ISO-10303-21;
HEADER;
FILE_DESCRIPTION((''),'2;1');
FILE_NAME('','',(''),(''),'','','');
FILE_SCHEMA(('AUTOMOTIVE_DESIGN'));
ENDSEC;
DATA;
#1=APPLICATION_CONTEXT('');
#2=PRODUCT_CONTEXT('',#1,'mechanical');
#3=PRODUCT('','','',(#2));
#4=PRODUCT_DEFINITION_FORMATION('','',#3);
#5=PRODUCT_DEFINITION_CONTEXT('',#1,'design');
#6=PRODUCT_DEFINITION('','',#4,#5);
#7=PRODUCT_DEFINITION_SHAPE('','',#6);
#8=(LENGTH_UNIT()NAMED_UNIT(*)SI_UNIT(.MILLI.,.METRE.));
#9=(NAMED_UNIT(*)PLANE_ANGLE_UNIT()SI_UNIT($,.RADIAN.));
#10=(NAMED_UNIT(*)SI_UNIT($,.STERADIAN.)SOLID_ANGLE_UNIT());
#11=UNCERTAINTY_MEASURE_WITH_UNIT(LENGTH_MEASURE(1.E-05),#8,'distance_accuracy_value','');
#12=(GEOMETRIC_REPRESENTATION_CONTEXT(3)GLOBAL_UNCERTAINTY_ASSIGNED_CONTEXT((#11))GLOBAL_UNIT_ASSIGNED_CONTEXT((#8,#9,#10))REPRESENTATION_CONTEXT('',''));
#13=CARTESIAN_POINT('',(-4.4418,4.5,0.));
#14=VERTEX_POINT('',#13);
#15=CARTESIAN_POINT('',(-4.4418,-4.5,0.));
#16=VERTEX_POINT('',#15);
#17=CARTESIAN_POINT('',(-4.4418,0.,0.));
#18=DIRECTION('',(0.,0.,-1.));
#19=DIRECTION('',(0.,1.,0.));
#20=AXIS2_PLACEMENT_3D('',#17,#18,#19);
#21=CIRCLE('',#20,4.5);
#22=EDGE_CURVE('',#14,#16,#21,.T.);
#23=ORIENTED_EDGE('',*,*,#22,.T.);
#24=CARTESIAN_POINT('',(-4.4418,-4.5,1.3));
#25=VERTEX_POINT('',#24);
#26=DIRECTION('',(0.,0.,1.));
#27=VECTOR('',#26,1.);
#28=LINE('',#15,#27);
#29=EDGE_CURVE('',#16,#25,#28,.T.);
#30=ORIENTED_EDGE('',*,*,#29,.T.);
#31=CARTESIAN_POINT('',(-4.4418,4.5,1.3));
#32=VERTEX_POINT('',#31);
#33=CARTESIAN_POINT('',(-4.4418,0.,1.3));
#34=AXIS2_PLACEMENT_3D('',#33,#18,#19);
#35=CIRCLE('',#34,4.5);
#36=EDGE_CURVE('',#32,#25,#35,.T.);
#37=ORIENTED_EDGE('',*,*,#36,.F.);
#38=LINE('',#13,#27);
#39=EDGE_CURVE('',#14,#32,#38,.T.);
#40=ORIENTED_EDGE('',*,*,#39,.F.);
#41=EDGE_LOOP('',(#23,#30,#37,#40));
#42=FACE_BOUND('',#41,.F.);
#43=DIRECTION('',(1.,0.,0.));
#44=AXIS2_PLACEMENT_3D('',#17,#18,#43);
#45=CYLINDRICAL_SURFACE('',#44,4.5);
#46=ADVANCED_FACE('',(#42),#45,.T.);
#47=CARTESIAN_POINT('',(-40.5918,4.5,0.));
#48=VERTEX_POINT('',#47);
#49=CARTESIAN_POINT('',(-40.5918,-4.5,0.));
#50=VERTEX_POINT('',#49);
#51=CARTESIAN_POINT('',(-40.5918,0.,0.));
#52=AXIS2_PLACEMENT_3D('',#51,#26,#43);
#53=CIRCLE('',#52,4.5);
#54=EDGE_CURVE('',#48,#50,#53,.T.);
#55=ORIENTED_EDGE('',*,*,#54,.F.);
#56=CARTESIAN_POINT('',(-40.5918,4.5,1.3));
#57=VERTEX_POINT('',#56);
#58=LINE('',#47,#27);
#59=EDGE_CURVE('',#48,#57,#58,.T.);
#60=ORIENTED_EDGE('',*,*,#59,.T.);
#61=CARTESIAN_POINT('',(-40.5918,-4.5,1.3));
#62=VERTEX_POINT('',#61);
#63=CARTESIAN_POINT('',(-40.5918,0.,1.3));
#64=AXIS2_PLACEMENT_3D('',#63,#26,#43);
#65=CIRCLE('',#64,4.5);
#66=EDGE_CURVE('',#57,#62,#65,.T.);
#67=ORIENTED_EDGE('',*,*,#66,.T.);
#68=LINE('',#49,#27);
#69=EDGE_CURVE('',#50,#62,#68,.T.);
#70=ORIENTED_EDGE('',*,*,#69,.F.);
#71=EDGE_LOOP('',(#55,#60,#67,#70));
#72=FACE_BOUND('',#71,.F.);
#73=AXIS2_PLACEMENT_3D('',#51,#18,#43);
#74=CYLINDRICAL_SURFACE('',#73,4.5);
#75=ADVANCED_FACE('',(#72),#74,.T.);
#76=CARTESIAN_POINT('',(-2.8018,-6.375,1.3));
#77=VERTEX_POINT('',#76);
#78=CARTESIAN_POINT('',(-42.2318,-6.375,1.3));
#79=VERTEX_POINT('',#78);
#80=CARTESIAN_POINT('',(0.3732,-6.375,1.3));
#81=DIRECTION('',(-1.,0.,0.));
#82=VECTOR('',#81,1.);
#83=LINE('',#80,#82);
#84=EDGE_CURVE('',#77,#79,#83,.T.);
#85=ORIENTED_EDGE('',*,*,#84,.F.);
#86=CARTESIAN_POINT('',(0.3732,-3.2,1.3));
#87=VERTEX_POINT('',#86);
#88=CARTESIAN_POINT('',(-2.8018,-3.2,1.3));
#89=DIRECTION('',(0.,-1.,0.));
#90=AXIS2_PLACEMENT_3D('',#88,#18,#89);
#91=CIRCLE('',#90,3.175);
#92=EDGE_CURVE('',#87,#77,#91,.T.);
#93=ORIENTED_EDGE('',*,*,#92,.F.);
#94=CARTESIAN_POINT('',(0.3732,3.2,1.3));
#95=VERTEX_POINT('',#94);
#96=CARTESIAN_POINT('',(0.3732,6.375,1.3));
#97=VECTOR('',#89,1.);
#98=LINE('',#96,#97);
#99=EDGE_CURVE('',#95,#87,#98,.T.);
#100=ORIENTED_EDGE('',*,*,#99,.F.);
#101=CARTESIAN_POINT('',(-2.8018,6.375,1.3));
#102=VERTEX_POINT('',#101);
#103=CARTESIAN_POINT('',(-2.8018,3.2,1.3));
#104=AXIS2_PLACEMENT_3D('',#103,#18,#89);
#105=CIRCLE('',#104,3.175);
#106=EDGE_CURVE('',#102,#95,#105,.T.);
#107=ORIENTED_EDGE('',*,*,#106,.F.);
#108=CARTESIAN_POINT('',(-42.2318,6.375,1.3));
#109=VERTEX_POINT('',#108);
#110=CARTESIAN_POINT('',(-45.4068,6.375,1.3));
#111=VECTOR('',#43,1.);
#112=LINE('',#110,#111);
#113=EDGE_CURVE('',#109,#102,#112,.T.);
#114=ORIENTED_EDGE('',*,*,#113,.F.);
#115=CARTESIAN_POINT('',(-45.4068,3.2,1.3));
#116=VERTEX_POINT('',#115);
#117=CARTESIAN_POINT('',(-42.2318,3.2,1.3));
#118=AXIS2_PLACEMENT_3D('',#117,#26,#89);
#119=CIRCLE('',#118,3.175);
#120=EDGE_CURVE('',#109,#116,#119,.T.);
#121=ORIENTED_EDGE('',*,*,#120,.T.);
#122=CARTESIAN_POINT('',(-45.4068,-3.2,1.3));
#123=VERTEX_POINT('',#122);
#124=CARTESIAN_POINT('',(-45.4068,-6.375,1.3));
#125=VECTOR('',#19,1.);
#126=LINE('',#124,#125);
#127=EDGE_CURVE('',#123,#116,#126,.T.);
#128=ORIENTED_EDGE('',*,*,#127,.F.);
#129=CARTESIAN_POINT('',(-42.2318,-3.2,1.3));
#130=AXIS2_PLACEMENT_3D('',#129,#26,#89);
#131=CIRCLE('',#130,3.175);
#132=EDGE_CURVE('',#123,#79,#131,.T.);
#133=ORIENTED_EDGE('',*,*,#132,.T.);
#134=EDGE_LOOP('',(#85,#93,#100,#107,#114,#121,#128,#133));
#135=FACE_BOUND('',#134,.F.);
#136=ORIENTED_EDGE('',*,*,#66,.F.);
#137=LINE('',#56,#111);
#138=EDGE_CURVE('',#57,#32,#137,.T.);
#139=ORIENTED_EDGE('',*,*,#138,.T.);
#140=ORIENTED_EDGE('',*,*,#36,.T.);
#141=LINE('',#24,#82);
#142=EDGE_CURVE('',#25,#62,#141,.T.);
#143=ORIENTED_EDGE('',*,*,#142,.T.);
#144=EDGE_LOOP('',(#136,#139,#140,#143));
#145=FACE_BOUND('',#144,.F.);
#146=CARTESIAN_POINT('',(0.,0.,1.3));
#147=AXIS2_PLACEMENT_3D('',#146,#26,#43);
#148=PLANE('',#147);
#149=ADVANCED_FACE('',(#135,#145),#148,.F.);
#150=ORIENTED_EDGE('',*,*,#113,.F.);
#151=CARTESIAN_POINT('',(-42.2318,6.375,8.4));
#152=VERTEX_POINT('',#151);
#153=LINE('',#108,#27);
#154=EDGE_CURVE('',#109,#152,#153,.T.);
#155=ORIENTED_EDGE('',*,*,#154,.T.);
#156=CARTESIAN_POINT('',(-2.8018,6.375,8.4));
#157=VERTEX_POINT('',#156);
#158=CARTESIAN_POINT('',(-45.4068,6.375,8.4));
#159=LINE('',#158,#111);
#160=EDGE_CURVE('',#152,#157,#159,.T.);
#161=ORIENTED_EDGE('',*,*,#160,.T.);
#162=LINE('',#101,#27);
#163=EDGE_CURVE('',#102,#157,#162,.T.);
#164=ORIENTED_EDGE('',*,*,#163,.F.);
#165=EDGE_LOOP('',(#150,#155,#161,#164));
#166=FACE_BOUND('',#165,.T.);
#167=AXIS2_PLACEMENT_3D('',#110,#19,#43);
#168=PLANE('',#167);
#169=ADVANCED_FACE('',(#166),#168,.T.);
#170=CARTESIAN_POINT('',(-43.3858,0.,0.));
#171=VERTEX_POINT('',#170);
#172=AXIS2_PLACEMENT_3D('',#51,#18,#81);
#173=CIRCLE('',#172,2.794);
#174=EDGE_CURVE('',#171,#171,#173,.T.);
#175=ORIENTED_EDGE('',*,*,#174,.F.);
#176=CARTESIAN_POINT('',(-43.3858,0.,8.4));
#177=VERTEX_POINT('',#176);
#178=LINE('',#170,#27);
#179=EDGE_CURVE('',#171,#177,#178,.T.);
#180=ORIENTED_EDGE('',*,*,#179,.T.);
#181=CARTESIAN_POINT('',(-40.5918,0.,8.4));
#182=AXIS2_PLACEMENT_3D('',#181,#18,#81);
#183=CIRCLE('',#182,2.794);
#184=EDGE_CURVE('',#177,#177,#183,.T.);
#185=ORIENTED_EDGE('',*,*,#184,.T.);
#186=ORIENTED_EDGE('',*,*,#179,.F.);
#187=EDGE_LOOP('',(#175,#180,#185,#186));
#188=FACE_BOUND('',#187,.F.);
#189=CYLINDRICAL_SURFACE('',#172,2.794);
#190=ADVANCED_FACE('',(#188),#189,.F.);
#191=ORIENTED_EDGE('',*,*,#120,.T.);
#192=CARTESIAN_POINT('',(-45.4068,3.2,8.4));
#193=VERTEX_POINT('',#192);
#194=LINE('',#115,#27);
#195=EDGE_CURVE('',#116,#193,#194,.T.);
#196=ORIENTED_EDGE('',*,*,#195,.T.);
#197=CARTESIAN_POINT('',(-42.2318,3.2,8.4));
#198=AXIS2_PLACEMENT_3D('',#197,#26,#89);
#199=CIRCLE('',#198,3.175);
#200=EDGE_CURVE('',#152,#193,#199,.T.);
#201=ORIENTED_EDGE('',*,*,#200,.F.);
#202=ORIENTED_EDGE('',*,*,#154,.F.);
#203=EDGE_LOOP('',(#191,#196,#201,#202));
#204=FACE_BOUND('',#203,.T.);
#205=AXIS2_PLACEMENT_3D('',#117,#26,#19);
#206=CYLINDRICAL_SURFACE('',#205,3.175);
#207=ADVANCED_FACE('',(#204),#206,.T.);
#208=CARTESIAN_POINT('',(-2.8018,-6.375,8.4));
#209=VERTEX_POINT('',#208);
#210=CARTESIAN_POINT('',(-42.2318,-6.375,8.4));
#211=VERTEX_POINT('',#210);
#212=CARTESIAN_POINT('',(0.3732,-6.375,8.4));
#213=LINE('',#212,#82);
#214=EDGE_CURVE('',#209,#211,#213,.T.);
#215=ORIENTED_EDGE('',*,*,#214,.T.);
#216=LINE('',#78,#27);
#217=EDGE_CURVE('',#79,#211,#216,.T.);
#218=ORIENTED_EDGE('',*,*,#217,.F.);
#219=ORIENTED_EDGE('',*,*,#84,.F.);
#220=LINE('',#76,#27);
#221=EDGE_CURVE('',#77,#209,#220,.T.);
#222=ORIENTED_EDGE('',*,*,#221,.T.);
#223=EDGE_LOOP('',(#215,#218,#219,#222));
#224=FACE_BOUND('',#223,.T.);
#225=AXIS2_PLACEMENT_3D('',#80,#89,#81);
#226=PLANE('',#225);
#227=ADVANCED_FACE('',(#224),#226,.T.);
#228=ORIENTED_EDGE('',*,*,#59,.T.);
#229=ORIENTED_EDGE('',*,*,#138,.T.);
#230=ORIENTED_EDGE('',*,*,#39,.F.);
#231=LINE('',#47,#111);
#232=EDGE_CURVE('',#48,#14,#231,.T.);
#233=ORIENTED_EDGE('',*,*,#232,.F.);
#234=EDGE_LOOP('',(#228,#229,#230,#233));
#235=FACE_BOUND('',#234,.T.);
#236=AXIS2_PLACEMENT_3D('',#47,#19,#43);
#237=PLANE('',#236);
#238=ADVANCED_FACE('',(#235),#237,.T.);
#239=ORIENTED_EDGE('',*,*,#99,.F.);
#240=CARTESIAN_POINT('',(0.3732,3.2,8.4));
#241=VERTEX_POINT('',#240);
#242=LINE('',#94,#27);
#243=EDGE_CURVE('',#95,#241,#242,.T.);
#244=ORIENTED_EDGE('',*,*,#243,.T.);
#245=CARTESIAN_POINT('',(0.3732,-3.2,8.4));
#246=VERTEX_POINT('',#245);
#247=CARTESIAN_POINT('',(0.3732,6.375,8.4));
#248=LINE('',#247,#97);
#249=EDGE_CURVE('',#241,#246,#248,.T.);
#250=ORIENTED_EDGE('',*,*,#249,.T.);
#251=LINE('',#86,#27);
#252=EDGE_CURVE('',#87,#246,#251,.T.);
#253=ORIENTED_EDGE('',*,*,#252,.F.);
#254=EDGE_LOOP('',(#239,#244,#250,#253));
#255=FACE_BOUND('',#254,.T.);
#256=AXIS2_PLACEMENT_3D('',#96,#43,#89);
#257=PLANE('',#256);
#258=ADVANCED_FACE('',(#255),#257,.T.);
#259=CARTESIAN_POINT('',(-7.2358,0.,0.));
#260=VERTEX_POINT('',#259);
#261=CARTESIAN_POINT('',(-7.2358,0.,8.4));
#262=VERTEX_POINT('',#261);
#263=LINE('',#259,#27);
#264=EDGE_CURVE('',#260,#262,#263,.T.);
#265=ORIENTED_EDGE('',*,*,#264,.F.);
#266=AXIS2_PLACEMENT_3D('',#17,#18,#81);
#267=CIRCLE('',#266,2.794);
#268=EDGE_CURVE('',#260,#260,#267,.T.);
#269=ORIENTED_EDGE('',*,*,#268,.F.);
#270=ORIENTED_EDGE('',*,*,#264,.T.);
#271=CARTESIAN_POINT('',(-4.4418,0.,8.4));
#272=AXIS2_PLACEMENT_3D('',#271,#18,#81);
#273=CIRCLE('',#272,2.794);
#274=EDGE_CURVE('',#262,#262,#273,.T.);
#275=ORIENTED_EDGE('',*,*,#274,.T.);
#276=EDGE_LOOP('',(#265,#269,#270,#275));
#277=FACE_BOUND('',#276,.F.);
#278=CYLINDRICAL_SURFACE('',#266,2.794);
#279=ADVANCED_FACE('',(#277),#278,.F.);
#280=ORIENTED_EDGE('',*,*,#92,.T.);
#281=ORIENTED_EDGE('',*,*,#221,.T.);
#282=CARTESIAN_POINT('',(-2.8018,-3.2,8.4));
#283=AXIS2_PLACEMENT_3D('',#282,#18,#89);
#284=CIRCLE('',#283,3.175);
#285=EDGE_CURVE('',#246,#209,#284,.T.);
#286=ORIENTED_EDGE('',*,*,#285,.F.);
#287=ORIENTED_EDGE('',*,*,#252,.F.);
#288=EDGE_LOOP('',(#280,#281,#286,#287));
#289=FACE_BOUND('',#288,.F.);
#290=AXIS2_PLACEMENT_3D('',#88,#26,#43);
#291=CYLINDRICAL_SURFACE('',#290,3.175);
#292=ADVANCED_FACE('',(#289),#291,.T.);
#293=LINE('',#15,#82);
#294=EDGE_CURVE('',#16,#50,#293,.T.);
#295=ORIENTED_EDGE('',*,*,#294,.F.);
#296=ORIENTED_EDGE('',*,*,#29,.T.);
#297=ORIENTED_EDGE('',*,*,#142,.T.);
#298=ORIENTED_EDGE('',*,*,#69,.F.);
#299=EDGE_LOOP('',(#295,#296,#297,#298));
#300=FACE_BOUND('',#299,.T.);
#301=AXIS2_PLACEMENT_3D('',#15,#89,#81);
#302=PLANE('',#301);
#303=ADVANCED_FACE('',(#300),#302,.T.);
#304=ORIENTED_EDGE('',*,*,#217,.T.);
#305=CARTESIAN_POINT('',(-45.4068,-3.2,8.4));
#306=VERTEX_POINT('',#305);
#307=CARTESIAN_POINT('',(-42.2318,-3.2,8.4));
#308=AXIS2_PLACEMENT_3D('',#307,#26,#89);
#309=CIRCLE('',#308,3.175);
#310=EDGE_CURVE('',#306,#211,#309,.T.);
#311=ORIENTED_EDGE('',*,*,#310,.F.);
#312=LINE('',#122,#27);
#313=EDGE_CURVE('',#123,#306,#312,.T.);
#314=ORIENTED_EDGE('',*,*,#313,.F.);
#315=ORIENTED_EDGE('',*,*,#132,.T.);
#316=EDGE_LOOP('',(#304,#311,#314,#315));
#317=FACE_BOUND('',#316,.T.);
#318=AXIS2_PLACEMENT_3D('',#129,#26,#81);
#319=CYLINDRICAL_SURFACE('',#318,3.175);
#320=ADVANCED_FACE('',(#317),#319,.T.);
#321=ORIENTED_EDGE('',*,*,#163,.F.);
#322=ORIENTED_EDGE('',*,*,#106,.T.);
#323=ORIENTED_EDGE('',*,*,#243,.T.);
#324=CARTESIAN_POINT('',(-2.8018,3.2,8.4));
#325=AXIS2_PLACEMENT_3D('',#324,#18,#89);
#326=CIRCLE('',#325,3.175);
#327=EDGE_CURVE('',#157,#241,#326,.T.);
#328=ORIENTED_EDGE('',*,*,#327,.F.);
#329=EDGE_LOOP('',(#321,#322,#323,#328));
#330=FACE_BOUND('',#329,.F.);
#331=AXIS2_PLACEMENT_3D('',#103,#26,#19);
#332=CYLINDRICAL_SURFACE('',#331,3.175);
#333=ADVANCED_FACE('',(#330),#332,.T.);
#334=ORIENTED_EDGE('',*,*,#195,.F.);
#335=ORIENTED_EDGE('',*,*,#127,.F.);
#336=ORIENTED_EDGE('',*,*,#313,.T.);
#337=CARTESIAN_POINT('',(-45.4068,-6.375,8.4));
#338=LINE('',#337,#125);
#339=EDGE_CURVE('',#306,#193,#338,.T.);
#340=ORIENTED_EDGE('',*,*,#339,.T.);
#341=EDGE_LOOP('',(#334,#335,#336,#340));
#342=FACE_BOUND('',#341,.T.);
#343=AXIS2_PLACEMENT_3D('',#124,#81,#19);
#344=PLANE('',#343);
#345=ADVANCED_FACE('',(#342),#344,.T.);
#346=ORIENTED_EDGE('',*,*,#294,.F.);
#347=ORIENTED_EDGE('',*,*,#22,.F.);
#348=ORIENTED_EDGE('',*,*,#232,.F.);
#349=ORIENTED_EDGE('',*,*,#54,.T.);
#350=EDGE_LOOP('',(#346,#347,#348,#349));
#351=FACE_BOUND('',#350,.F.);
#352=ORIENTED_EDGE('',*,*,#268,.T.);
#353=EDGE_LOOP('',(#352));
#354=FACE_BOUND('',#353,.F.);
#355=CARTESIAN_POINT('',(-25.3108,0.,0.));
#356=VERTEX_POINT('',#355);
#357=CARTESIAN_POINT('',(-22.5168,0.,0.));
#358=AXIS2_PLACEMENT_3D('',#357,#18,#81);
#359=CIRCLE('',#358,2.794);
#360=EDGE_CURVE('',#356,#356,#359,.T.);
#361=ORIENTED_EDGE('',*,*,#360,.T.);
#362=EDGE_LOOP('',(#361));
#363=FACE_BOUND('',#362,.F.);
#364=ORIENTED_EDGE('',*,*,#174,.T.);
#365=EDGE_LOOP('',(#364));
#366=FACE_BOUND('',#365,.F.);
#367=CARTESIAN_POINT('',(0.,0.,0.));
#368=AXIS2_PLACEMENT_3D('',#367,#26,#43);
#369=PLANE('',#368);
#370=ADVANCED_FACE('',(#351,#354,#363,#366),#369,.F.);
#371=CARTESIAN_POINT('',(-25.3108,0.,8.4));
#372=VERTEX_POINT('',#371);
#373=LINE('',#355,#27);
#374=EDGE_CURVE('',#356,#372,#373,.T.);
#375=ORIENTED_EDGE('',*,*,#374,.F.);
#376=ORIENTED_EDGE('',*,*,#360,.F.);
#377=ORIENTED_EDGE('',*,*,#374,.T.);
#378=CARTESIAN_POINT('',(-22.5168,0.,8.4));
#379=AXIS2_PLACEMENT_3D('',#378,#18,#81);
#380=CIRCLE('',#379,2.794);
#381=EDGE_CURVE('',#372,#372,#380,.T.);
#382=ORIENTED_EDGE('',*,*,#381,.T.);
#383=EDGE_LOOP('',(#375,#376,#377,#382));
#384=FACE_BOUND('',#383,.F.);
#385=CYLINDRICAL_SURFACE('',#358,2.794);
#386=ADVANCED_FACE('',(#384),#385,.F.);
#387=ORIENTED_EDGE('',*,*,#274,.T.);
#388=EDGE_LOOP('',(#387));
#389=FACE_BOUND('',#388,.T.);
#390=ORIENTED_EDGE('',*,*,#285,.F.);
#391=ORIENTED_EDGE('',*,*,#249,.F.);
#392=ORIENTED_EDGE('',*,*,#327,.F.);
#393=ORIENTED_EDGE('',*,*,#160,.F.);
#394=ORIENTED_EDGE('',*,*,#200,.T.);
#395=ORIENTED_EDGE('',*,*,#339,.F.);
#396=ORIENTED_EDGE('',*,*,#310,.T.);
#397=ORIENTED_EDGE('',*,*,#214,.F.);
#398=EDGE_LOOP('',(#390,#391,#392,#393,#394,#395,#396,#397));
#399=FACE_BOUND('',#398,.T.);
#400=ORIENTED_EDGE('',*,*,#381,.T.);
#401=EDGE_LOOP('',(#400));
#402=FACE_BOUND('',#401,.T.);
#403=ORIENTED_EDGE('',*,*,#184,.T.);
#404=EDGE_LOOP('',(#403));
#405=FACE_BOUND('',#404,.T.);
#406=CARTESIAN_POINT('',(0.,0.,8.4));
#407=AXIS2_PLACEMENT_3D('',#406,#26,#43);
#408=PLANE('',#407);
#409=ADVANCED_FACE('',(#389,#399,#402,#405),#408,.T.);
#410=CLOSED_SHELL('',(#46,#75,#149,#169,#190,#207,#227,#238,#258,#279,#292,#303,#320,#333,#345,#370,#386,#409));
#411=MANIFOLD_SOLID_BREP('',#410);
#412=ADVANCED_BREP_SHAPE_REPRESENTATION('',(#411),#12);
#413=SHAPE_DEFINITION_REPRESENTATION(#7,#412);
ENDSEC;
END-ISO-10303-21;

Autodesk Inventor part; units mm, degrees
ref_plane "YZ Plane" through (0, 0, 0) normal (1, 0, 0) x (0, 1, 0)
ref_plane "XZ Plane" through (0, 0, 0) normal (0, 1, 0) x (-1, 0, 0)
ref_plane "XY Plane" through (0, 0, 0) normal (0, 0, 1) x (1, 0, 0)
sketch "Sketch1" plane through (0, 0, 0) normal (0, 0, 1) x (1, 0, 0)
  circle A0 centre (-40.5918, 0) radius 2.4892 construction
  circle A1 centre (-22.5168, 0) radius 2.4892 construction
  circle A2 centre (-4.4418, 0) radius 2.4892 construction
  circle A3 centre (-40.5918, 0) radius 4.5
  circle A4 centre (-4.4418, 0) radius 4.5
  line L0 (-40.5918, 4.5) -> (-4.4418, 4.5)
  line L1 (-4.4418, 4.5) -> (-4.4418, -4.5)
  line L2 (-4.4418, -4.5) -> (-40.5918, -4.5)
  line L3 (-40.5918, -4.5) -> (-40.5918, 4.5)
  point P0 (0, 0)
  dimension "d1" = 9
extrude "Extrusion1" add sketch "Sketch1" along normal blind 1.3
sketch "Sketch2" plane through (0, 0, 1.3) normal (0, 0, 1) x (1, 0, 0)
  line L0 (-45.4068, 6.375) -> (0.3732, 6.375)
  line L1 (0.3732, 6.375) -> (0.3732, -6.375)
  line L2 (0.3732, -6.375) -> (-45.4068, -6.375)
  line L3 (-45.4068, -6.375) -> (-45.4068, 6.375)
  circle A0 centre (-22.5168, 0) radius 2.4892 construction
  point P0 (0, 0)
  dimension "d4" = 45.78
  dimension "d5" = 22.89
  dimension "d6" = 12.75
  dimension "d7" = 6.375
extrude "Extrusion2" add sketch "Sketch2" along normal blind 7.1
fillet "Fillet1" radius 3.175 4 edges at (-45.4068, 6.375, 4.85) (-45.4068, -6.375, 4.85) (0.3732, 6.375, 4.85) (0.3732, -6.375, 4.85)
sketch "Sketch3" plane through (0, 0, 0) normal (0, 0, -1) x (-1, 0, 0)
  circle A0 centre (4.4418, 0) radius 2.4892 construction
  circle A1 centre (22.5168, 0) radius 2.4892 construction
  circle A2 centre (40.5918, 0) radius 2.4892 construction
  circle A3 centre (4.4418, 0) radius 2.794
  circle A4 centre (22.5168, 0) radius 2.794
  circle A5 centre (40.5918, 0) radius 2.794
  point P0 (0, 0)
  dimension "d11" = 5.588
extrude "Extrusion3" cut sketch "Sketch3" against normal through all
equation "\"d5\" = 0.5 * d4"
equation "\"d7\" = 0.5 * d6"
properties part number "NerfBottomStandoff"
